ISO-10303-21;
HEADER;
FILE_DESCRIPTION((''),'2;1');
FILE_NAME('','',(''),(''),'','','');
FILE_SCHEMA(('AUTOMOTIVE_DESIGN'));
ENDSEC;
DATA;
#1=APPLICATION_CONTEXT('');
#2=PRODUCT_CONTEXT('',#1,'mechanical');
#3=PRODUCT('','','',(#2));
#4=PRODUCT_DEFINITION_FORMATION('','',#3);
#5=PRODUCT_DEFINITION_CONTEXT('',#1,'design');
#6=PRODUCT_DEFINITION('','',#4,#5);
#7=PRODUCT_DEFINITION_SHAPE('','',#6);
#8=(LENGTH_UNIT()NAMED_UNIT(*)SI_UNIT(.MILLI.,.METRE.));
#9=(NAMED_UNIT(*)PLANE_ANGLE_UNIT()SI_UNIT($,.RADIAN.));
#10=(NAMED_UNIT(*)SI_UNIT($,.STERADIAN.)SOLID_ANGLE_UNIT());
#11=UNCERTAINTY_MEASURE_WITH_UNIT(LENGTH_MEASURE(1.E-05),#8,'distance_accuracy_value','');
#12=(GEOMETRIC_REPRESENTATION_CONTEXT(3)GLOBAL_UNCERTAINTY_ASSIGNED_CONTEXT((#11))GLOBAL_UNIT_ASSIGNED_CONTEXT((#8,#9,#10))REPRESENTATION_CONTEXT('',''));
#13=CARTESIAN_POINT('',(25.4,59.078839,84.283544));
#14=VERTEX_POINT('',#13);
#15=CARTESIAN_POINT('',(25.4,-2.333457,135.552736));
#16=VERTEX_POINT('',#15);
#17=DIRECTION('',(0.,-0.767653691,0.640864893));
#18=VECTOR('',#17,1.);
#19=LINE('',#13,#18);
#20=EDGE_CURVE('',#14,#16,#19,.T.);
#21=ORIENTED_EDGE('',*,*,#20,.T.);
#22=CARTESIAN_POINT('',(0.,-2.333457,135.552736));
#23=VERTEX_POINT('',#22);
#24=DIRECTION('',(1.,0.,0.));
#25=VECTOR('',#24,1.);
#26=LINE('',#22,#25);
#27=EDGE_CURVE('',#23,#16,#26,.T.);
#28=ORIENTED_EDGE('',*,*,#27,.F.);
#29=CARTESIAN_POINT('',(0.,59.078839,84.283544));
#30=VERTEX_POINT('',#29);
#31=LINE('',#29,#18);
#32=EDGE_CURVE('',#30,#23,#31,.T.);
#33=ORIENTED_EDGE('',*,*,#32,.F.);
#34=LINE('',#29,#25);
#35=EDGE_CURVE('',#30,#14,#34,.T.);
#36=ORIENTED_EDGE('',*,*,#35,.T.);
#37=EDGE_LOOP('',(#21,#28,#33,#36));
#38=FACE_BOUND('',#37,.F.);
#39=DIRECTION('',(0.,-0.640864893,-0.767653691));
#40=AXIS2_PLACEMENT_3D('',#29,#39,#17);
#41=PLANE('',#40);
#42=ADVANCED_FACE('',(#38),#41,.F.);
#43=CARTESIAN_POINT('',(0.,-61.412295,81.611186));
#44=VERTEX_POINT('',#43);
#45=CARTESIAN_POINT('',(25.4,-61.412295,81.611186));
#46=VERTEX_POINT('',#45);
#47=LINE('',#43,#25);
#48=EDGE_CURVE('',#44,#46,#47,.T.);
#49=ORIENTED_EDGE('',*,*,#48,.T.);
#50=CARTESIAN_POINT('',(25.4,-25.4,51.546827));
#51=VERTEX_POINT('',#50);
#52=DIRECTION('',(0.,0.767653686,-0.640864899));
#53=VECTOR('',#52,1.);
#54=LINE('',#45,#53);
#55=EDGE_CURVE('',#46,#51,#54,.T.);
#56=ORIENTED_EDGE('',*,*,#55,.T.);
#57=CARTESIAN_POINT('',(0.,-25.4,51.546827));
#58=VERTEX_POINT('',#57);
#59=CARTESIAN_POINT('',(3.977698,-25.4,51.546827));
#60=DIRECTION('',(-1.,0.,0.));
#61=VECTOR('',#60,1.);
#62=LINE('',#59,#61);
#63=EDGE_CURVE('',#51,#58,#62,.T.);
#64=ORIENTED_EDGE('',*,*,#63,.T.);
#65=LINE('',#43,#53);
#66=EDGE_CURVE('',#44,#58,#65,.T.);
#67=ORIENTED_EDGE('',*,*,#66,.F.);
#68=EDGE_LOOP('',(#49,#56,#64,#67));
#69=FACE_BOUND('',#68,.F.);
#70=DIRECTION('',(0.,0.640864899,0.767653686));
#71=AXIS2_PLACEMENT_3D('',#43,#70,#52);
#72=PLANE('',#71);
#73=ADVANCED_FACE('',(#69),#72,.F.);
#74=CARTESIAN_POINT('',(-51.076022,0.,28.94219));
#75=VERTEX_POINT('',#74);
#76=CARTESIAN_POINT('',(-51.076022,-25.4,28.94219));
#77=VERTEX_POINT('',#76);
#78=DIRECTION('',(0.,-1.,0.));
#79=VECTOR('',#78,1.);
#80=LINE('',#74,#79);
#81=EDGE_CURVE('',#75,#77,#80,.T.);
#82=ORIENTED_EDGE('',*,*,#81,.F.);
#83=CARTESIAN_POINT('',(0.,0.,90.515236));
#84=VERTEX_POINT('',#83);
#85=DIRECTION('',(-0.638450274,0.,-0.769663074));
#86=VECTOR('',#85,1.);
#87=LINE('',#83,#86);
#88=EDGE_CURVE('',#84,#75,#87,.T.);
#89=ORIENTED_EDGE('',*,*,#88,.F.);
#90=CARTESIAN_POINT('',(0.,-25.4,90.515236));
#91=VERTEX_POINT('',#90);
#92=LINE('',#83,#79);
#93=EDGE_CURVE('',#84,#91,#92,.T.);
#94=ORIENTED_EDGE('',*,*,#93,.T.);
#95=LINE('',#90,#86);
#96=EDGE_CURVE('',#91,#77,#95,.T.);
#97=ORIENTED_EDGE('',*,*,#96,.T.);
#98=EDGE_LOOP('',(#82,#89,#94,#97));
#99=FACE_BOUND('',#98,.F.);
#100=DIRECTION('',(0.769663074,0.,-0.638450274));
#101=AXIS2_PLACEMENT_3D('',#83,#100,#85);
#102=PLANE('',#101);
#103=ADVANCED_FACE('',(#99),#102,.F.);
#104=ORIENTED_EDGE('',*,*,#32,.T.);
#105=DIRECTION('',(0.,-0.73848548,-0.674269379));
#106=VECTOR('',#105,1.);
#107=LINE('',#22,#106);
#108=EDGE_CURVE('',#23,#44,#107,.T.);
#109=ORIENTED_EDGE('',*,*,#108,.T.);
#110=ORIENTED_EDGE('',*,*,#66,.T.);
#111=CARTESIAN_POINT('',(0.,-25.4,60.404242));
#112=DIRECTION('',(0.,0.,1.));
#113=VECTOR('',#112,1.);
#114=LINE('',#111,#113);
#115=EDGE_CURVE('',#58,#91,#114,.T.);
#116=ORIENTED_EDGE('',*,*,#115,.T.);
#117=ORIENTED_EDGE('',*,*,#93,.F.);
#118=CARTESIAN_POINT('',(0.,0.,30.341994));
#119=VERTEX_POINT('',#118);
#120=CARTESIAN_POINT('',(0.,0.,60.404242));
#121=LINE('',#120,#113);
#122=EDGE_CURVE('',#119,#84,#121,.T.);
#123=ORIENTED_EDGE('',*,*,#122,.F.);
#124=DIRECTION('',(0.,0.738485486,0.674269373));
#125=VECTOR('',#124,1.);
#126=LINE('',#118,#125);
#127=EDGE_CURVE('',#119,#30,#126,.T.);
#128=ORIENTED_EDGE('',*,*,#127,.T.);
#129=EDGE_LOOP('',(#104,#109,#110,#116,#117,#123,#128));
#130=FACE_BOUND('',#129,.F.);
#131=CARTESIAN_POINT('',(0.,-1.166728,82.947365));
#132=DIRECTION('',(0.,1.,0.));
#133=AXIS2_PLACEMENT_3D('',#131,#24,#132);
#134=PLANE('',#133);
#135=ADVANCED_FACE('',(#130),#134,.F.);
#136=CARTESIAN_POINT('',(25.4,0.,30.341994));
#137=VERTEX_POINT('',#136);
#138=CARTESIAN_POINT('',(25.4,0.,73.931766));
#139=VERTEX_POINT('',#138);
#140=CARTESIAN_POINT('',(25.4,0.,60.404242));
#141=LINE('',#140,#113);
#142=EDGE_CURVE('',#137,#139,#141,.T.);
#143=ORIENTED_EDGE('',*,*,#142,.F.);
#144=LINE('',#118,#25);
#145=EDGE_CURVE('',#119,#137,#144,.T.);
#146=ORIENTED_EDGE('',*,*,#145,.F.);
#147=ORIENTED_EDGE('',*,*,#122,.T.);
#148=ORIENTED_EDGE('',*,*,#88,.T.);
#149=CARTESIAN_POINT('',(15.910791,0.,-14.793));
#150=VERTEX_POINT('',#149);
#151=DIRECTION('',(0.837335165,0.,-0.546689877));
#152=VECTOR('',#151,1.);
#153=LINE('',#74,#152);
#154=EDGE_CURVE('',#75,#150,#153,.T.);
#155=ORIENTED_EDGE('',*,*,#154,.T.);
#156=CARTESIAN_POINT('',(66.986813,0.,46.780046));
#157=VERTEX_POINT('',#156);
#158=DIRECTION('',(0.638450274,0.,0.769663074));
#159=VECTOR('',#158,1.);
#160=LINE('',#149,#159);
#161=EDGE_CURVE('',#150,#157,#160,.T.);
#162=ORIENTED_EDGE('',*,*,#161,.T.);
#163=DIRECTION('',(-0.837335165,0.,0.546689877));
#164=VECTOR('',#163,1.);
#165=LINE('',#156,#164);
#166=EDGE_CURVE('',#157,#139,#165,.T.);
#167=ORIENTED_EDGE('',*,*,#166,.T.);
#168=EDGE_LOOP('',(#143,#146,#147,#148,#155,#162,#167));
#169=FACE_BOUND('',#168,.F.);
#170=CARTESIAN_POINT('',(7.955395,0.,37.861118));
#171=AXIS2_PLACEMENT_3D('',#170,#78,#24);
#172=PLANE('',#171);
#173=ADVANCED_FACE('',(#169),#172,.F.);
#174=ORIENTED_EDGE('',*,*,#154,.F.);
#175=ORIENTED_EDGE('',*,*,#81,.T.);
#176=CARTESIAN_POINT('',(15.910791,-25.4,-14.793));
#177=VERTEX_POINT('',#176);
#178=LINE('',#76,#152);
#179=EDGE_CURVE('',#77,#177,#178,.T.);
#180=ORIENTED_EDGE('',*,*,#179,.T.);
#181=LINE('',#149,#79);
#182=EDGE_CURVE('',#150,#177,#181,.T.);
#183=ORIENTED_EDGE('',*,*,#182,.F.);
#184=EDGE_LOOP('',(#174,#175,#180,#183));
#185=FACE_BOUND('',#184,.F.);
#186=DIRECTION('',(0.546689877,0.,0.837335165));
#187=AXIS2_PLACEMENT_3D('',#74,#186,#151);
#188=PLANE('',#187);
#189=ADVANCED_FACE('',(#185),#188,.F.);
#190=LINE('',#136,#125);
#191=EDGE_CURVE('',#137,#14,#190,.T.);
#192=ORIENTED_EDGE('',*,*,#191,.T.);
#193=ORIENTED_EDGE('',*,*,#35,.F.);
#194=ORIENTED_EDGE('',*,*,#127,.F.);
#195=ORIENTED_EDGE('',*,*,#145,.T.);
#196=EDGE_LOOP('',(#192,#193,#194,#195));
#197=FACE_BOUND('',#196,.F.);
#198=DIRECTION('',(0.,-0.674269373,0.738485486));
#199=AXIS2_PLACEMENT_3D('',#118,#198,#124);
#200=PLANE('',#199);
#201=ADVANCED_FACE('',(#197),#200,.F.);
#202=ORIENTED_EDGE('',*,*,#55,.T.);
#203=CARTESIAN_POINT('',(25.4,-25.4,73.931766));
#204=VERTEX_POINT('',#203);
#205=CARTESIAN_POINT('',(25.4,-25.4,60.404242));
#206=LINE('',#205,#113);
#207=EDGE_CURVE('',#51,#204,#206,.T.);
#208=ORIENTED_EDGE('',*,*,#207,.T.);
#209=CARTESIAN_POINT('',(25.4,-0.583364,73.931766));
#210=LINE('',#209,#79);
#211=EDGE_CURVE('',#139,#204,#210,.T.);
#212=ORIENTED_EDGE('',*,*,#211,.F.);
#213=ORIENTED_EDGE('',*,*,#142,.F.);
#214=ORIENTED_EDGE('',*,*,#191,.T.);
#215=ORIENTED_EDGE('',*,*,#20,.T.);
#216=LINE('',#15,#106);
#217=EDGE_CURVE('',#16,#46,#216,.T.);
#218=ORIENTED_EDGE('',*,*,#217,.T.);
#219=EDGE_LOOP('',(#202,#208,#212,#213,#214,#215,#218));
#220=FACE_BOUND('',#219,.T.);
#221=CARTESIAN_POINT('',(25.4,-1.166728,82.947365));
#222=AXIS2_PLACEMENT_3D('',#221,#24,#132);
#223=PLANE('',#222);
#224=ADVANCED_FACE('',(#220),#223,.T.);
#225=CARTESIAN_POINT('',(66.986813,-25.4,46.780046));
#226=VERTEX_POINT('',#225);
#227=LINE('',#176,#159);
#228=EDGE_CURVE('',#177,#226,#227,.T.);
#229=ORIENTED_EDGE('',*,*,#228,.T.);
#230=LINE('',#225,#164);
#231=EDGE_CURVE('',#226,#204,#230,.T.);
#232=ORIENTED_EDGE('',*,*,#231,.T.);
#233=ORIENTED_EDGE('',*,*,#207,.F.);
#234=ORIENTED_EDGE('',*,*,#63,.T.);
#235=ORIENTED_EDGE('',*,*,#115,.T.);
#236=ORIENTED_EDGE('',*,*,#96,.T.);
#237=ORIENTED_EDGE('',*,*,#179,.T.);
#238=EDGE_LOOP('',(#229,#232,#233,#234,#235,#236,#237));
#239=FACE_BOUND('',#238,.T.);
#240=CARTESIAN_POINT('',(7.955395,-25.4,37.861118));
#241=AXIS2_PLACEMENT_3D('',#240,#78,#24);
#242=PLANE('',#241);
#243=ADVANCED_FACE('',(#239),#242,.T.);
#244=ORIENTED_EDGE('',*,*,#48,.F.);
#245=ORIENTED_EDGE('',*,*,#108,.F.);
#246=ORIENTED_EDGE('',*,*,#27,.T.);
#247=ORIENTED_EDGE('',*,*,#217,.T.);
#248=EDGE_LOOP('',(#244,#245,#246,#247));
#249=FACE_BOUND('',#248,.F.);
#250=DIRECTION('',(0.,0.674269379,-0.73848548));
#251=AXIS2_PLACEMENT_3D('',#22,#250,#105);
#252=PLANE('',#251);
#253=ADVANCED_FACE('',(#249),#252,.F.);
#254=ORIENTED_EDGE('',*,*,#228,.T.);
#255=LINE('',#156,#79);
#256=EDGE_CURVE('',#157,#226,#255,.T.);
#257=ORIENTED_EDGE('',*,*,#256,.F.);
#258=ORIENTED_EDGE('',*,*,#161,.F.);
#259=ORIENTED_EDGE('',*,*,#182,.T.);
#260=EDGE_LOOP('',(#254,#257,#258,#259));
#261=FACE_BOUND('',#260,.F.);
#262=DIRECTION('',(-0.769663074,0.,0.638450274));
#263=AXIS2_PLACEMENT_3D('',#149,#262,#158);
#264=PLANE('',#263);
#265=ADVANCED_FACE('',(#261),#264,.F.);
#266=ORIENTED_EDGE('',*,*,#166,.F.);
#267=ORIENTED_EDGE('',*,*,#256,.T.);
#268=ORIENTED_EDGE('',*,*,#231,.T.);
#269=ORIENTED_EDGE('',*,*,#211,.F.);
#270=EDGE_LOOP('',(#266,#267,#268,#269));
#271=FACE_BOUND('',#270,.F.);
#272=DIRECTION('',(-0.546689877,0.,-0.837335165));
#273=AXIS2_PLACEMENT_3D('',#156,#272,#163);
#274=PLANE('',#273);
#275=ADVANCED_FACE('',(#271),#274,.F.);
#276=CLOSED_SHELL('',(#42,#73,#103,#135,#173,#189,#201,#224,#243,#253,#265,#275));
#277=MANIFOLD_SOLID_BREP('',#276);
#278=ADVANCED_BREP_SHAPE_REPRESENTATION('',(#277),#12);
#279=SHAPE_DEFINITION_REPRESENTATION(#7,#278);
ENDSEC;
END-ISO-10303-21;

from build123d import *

# Parameters (mm, degrees)
F1_DEPTH = 25.4
F3_DEPTH = 25.4


with BuildPart() as f1:
    # F0 (on Front) → F1 (new body)
    with BuildSketch(Plane.XZ):
        Polygon((66.986813, 46.780046), (0, 90.515236), (-51.076022, 28.94219), (15.910791, -14.793), align=None)
    extrude(amount=F1_DEPTH)

    # F2 (on Right) → F3 (join)
    with BuildSketch(Plane.YZ):
        Polygon((-2.333457, 135.552736), (-61.412295, 81.611186), (0, 30.341994), (59.078839, 84.283544), align=None)
    extrude(amount=F3_DEPTH)


solid = f1.part
